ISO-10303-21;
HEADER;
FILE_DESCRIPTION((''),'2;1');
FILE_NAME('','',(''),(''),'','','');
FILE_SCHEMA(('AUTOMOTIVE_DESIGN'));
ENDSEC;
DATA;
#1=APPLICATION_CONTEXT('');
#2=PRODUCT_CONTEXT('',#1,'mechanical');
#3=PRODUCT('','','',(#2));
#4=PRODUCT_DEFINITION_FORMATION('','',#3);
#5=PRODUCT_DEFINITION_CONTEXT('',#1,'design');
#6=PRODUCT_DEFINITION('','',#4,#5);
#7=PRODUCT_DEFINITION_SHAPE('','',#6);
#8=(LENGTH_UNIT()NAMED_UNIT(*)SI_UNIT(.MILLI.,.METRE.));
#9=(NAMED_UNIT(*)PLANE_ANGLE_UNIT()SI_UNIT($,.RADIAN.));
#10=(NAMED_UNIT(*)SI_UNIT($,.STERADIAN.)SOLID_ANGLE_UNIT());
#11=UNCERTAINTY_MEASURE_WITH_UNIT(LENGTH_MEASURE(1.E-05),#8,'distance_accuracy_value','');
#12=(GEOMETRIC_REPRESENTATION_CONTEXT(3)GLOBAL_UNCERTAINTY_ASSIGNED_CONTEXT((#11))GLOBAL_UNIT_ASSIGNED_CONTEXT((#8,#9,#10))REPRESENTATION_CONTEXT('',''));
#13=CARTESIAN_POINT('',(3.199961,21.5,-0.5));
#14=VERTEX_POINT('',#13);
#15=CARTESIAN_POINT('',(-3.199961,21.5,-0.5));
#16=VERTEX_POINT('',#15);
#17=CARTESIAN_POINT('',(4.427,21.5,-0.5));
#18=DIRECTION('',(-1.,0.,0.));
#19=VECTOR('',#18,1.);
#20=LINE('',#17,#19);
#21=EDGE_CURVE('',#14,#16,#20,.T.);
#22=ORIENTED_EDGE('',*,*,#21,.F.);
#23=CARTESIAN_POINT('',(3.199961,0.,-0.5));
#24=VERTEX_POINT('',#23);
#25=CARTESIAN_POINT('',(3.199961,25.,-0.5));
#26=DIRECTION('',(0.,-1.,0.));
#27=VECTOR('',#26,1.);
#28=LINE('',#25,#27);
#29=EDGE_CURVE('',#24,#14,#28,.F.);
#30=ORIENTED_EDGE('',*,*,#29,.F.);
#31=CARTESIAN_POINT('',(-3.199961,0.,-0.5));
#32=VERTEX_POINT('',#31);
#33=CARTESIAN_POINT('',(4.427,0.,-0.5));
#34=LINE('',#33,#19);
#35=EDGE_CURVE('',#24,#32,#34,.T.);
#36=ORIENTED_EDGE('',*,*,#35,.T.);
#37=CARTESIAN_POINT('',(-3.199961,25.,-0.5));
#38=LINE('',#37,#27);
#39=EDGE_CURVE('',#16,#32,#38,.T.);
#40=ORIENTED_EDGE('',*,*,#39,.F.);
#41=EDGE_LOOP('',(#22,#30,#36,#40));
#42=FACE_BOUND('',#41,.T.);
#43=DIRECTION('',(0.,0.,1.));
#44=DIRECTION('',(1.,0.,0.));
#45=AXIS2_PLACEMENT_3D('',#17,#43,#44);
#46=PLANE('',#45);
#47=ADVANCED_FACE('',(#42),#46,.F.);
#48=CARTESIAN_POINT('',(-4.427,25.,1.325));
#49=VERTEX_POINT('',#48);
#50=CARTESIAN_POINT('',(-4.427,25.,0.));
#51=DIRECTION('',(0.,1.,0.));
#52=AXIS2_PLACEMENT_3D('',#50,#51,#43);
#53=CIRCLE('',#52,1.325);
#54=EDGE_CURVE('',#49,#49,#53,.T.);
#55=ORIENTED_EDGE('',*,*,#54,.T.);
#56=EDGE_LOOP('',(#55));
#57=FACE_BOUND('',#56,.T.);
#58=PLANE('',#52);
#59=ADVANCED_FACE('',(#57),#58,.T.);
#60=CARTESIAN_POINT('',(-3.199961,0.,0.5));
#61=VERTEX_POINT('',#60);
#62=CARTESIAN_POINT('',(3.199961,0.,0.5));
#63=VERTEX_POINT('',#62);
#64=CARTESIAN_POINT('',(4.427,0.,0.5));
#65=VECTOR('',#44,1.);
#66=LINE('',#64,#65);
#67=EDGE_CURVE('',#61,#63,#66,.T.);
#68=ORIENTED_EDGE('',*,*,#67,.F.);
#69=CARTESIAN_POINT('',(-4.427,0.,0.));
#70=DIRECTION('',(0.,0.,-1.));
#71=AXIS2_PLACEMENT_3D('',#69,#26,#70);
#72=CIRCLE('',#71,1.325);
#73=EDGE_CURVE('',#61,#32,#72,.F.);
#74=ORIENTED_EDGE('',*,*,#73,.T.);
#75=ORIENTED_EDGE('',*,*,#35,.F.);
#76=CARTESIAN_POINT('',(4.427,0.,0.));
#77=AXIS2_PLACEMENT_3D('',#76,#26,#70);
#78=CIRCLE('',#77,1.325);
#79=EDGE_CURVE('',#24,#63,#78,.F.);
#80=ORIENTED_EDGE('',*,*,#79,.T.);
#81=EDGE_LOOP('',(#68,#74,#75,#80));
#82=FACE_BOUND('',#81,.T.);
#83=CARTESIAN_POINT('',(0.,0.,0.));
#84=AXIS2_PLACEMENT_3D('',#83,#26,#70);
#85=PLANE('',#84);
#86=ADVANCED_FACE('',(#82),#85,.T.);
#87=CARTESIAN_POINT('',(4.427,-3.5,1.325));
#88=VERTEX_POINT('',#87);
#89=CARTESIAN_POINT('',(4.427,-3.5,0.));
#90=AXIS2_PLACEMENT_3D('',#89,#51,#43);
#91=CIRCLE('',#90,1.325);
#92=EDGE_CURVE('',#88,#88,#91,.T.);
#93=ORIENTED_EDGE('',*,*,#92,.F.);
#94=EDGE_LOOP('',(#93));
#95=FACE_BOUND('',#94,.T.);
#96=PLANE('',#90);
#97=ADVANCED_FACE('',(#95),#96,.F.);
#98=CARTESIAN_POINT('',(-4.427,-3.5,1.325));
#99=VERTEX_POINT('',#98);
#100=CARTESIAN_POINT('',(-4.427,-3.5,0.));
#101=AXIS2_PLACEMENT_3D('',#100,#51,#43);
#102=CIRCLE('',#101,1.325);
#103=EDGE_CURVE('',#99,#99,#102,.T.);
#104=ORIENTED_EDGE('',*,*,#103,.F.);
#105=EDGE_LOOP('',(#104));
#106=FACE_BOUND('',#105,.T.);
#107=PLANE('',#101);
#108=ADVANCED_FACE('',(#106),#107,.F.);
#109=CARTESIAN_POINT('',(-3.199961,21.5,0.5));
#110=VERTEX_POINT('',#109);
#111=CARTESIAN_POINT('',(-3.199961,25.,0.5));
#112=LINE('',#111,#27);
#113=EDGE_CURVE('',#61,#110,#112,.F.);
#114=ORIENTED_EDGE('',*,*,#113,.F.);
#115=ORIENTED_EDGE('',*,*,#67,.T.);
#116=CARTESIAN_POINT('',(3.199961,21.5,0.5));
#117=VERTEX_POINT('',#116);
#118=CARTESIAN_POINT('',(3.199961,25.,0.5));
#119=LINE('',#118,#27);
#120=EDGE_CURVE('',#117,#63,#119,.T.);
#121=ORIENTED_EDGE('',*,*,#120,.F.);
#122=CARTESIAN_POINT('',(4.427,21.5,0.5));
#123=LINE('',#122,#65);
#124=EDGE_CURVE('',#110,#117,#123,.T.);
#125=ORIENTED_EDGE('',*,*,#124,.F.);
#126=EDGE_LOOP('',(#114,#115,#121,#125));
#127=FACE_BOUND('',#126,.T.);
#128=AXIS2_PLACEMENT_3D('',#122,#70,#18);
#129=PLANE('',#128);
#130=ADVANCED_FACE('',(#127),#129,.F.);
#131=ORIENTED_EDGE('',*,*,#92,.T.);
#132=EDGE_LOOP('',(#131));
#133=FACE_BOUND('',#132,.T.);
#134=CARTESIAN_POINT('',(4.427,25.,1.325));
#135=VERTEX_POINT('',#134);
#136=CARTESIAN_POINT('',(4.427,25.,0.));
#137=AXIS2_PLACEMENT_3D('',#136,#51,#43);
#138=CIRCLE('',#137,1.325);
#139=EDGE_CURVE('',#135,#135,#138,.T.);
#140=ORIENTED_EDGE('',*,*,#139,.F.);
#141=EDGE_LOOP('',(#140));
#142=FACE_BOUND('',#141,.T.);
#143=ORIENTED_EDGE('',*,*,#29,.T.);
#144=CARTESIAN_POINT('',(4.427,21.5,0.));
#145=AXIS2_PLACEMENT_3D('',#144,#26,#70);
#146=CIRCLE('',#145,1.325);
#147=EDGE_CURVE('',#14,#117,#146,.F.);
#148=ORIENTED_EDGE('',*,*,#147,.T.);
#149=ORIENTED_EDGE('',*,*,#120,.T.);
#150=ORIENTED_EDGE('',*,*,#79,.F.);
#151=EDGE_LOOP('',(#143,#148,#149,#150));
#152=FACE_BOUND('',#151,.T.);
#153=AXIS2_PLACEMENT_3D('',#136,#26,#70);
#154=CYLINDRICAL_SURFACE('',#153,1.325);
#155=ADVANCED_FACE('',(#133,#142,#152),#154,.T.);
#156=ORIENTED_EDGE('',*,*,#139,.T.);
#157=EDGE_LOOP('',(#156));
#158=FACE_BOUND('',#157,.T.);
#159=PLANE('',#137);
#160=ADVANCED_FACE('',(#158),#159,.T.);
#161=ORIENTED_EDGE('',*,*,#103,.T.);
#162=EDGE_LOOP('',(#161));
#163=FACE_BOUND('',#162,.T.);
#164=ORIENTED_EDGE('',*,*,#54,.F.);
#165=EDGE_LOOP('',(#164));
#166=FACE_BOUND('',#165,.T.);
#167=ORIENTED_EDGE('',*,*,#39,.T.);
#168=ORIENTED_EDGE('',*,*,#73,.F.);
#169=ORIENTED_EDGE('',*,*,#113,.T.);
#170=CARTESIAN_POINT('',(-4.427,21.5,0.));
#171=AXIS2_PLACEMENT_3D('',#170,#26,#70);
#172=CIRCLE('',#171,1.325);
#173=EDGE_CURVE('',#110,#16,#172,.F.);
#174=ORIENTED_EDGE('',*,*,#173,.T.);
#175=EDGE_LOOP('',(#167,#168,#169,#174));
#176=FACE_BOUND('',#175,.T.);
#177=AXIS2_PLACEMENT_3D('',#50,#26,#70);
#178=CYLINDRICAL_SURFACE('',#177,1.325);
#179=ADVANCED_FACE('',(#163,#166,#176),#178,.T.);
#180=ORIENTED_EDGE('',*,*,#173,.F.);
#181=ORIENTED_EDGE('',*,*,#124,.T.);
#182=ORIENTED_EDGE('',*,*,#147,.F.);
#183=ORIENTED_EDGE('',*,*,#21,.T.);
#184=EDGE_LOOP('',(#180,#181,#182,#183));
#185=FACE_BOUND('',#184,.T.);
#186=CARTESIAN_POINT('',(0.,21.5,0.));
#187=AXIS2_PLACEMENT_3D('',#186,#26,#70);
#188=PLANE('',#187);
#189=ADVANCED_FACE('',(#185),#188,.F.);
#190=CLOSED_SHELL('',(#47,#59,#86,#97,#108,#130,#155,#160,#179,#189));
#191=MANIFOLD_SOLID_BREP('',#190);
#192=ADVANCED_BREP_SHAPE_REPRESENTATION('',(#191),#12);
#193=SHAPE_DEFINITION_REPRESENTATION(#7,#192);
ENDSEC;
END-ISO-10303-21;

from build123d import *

# Parameters (mm, degrees)
SKETCH1_W           = 8.854
SKETCH1_H           = 1
BOSS_EXTRUDE1_DEPTH = 21.5
SKETCH2_R           = 1.325
BOSS_EXTRUDE2_DEPTH = 14.25


with BuildPart() as part:
    # Sketch1 → Boss-Extrude1 (new body)
    with BuildSketch(Plane(origin=(0, 0, 0), x_dir=(1, 0, 0), z_dir=(0, 1, 0))):
        Rectangle(SKETCH1_W, SKETCH1_H)
    extrude(amount=BOSS_EXTRUDE1_DEPTH)

    # Sketch2 → Boss-Extrude2 (add, symmetric)
    with BuildSketch(Plane(origin=(0, 10.75, 0), x_dir=(1, 0, 0), z_dir=(0, 1, 0))):
        with Locations(Location((-4.427, 0, 0), (0, 0, 270))):
            Circle(SKETCH2_R)
        with Locations(Location((4.427, 0, 0), (0, 0, 270))):
            Circle(SKETCH2_R)
    extrude(amount=BOSS_EXTRUDE2_DEPTH, both=True)


solid = part.part
